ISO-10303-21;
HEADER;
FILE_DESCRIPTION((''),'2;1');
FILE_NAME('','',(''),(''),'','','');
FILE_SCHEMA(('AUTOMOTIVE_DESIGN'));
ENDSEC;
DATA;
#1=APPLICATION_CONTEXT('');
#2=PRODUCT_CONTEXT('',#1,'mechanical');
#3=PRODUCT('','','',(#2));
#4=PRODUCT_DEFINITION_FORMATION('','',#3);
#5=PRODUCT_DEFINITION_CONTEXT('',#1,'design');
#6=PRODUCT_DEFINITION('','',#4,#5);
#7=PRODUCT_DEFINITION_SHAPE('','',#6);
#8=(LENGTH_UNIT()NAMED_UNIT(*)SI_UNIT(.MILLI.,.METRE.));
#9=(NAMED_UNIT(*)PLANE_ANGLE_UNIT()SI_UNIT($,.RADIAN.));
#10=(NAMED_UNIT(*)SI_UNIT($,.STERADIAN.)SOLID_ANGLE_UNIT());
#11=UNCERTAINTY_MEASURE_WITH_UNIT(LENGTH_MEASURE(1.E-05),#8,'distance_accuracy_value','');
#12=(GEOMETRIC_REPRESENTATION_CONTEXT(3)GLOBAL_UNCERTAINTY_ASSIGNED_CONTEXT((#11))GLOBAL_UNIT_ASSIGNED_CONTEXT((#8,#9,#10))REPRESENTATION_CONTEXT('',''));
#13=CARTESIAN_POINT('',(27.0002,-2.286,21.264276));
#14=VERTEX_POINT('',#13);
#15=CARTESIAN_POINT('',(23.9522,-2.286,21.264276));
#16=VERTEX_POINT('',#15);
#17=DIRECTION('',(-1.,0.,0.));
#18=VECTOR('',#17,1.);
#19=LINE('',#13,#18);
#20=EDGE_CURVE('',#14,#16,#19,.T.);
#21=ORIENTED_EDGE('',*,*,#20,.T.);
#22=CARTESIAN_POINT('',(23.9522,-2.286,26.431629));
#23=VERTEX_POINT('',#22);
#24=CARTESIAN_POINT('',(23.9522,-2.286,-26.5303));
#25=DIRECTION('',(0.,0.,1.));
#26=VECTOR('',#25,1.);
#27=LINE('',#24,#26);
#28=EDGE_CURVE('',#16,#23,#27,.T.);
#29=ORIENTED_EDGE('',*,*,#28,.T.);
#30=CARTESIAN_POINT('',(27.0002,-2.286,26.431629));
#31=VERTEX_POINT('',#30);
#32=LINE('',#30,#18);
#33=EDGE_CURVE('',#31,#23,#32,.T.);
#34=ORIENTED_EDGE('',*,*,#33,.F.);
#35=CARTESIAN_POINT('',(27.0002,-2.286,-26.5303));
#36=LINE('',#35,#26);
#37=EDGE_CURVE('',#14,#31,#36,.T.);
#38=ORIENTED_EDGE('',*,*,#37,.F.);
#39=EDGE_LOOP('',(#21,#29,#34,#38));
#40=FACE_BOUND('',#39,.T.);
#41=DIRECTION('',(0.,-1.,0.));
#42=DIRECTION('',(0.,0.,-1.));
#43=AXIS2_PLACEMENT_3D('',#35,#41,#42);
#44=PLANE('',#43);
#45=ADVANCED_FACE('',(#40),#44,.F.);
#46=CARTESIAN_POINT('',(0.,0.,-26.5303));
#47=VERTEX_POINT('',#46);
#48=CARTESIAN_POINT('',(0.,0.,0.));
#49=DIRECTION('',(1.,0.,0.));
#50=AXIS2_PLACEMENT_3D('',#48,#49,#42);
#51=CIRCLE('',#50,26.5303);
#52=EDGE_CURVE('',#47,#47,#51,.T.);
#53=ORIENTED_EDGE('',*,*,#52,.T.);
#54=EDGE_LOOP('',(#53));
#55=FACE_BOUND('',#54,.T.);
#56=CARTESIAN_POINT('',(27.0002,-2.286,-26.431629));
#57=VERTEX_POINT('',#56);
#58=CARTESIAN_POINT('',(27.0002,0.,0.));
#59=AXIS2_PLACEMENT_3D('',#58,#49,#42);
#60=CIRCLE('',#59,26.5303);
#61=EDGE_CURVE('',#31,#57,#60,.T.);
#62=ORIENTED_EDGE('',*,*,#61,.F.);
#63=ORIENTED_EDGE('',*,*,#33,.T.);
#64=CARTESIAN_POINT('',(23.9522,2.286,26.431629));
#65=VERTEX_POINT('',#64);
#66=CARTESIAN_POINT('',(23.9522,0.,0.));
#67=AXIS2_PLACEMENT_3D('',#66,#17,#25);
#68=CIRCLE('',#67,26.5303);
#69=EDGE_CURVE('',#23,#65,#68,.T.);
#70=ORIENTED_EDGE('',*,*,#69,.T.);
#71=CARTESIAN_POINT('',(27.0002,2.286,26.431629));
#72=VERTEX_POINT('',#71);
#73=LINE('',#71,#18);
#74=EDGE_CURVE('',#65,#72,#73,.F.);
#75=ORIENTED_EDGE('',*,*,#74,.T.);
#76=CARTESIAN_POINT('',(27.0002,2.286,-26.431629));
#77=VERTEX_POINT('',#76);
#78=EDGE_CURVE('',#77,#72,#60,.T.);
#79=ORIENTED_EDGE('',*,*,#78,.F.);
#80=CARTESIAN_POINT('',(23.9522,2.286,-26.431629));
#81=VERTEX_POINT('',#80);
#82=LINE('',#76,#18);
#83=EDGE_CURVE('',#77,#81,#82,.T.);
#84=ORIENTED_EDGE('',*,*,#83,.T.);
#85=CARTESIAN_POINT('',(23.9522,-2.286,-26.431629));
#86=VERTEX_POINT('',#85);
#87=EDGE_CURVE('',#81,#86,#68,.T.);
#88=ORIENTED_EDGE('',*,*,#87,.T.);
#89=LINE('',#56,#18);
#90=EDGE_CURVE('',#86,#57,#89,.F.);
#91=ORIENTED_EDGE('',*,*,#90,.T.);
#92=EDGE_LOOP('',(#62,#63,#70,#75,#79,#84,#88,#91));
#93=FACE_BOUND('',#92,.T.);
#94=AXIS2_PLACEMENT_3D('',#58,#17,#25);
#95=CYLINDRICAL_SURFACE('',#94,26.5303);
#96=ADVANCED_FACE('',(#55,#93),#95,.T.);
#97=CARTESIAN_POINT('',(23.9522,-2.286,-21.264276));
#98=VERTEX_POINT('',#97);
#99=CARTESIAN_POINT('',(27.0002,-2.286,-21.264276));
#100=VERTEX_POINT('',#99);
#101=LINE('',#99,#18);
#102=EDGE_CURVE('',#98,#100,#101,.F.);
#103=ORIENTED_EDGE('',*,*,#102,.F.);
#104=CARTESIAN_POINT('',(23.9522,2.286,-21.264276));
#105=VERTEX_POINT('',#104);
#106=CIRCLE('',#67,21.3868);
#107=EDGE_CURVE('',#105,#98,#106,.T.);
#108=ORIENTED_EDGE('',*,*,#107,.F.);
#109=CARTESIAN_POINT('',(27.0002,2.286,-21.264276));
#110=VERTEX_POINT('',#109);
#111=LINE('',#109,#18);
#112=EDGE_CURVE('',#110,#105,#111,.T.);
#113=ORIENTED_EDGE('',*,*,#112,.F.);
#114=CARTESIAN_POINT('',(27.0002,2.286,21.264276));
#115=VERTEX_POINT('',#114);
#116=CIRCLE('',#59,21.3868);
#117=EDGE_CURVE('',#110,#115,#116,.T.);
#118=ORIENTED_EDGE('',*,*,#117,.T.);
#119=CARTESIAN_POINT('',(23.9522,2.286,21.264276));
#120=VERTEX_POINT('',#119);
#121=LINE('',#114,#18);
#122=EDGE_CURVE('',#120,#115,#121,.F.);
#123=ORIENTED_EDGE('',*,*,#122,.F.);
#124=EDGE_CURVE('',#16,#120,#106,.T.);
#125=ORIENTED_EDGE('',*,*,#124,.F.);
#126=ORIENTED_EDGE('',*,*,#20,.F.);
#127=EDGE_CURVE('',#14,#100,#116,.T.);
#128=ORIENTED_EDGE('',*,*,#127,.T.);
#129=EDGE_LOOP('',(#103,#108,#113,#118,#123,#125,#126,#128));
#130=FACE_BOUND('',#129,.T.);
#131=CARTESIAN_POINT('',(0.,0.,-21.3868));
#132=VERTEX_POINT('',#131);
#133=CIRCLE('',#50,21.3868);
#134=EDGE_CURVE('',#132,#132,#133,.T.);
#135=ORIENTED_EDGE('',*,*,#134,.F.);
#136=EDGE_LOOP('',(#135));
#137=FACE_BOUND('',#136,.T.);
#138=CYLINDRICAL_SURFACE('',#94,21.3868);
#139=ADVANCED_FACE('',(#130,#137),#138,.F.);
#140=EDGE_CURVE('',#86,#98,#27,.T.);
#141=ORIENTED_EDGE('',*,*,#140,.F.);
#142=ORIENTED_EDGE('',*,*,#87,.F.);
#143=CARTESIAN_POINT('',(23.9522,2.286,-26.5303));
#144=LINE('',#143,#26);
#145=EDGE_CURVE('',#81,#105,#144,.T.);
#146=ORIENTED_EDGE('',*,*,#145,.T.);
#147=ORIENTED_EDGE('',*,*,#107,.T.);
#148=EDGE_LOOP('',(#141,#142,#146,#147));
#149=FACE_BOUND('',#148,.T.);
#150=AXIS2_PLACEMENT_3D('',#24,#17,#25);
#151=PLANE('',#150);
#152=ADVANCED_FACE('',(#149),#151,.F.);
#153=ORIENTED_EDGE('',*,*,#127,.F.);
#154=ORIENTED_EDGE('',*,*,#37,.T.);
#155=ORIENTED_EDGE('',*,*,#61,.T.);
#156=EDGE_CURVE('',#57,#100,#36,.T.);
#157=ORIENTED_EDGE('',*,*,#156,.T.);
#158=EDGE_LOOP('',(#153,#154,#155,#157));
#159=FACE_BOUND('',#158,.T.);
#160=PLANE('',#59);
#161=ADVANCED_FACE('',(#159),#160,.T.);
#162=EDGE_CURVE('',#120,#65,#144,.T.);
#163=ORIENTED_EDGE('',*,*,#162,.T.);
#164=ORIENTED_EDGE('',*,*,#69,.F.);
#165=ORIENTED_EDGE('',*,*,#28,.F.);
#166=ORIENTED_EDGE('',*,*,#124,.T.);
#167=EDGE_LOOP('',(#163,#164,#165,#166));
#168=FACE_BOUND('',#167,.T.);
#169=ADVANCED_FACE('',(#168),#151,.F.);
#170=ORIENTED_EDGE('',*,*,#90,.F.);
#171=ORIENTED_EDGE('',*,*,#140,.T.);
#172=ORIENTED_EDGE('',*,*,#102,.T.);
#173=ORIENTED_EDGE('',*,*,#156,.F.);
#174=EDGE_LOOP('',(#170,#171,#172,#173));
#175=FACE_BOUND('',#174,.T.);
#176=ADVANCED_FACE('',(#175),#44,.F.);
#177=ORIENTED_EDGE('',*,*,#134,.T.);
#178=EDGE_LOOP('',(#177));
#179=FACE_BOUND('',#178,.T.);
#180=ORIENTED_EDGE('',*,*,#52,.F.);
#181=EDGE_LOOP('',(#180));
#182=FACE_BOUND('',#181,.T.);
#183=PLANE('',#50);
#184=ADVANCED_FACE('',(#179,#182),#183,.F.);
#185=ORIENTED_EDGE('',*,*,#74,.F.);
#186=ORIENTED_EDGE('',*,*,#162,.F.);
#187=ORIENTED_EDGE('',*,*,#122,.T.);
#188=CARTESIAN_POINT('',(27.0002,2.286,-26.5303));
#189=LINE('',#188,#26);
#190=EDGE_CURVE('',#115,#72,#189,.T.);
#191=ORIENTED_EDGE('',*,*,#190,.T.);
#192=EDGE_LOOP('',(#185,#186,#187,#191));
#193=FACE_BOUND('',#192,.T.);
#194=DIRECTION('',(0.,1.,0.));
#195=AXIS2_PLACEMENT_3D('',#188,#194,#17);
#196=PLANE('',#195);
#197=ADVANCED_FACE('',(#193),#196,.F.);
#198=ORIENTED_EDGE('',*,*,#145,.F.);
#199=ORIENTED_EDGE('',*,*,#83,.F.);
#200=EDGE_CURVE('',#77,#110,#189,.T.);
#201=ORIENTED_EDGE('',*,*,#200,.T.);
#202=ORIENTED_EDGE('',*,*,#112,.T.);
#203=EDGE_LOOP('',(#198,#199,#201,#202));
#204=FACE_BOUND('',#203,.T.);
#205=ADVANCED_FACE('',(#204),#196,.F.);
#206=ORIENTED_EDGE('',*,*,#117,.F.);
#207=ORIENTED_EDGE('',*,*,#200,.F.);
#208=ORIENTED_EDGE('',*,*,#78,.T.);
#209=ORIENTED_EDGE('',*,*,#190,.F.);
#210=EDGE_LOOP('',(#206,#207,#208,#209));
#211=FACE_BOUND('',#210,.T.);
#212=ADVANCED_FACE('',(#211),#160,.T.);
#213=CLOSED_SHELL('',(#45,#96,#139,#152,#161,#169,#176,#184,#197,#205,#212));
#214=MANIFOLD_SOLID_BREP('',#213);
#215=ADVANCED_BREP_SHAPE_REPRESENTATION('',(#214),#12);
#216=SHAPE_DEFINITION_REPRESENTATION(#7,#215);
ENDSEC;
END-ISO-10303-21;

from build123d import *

# Parameters (mm, degrees)
SKETCH2_R               = 26.5303
SKETCH2_R_2             = 21.3868
BOSS_EXTRUDE1_DEPTH     = 27.0002
CUT_EXTRUDE1_DEPTH      = 47.224716724
CUT_EXTRUDE1_DEPTH_BACK = 47.224716724
SKETCH3_W               = 3.048
SKETCH3_H               = 4.572


with BuildPart() as part:
    # Sketch2 → Boss-Extrude1 (new body)
    with BuildSketch(Plane(origin=(0, 0, 0), x_dir=(0, 0, -1), z_dir=(1, 0, 0))):
        Circle(SKETCH2_R)
        Circle(SKETCH2_R_2, mode=Mode.SUBTRACT)
    extrude(amount=BOSS_EXTRUDE1_DEPTH)

    # Sketch3 → Cut-Extrude1 (cut, two sides: drawn at the far end of the back side and taken through both)
    with BuildSketch(Plane.XY.offset(-CUT_EXTRUDE1_DEPTH_BACK)):
        with Locations((25.4762, 0)):
            Rectangle(SKETCH3_W, SKETCH3_H)
    extrude(amount=CUT_EXTRUDE1_DEPTH + CUT_EXTRUDE1_DEPTH_BACK, mode=Mode.SUBTRACT)


solid = part.part
